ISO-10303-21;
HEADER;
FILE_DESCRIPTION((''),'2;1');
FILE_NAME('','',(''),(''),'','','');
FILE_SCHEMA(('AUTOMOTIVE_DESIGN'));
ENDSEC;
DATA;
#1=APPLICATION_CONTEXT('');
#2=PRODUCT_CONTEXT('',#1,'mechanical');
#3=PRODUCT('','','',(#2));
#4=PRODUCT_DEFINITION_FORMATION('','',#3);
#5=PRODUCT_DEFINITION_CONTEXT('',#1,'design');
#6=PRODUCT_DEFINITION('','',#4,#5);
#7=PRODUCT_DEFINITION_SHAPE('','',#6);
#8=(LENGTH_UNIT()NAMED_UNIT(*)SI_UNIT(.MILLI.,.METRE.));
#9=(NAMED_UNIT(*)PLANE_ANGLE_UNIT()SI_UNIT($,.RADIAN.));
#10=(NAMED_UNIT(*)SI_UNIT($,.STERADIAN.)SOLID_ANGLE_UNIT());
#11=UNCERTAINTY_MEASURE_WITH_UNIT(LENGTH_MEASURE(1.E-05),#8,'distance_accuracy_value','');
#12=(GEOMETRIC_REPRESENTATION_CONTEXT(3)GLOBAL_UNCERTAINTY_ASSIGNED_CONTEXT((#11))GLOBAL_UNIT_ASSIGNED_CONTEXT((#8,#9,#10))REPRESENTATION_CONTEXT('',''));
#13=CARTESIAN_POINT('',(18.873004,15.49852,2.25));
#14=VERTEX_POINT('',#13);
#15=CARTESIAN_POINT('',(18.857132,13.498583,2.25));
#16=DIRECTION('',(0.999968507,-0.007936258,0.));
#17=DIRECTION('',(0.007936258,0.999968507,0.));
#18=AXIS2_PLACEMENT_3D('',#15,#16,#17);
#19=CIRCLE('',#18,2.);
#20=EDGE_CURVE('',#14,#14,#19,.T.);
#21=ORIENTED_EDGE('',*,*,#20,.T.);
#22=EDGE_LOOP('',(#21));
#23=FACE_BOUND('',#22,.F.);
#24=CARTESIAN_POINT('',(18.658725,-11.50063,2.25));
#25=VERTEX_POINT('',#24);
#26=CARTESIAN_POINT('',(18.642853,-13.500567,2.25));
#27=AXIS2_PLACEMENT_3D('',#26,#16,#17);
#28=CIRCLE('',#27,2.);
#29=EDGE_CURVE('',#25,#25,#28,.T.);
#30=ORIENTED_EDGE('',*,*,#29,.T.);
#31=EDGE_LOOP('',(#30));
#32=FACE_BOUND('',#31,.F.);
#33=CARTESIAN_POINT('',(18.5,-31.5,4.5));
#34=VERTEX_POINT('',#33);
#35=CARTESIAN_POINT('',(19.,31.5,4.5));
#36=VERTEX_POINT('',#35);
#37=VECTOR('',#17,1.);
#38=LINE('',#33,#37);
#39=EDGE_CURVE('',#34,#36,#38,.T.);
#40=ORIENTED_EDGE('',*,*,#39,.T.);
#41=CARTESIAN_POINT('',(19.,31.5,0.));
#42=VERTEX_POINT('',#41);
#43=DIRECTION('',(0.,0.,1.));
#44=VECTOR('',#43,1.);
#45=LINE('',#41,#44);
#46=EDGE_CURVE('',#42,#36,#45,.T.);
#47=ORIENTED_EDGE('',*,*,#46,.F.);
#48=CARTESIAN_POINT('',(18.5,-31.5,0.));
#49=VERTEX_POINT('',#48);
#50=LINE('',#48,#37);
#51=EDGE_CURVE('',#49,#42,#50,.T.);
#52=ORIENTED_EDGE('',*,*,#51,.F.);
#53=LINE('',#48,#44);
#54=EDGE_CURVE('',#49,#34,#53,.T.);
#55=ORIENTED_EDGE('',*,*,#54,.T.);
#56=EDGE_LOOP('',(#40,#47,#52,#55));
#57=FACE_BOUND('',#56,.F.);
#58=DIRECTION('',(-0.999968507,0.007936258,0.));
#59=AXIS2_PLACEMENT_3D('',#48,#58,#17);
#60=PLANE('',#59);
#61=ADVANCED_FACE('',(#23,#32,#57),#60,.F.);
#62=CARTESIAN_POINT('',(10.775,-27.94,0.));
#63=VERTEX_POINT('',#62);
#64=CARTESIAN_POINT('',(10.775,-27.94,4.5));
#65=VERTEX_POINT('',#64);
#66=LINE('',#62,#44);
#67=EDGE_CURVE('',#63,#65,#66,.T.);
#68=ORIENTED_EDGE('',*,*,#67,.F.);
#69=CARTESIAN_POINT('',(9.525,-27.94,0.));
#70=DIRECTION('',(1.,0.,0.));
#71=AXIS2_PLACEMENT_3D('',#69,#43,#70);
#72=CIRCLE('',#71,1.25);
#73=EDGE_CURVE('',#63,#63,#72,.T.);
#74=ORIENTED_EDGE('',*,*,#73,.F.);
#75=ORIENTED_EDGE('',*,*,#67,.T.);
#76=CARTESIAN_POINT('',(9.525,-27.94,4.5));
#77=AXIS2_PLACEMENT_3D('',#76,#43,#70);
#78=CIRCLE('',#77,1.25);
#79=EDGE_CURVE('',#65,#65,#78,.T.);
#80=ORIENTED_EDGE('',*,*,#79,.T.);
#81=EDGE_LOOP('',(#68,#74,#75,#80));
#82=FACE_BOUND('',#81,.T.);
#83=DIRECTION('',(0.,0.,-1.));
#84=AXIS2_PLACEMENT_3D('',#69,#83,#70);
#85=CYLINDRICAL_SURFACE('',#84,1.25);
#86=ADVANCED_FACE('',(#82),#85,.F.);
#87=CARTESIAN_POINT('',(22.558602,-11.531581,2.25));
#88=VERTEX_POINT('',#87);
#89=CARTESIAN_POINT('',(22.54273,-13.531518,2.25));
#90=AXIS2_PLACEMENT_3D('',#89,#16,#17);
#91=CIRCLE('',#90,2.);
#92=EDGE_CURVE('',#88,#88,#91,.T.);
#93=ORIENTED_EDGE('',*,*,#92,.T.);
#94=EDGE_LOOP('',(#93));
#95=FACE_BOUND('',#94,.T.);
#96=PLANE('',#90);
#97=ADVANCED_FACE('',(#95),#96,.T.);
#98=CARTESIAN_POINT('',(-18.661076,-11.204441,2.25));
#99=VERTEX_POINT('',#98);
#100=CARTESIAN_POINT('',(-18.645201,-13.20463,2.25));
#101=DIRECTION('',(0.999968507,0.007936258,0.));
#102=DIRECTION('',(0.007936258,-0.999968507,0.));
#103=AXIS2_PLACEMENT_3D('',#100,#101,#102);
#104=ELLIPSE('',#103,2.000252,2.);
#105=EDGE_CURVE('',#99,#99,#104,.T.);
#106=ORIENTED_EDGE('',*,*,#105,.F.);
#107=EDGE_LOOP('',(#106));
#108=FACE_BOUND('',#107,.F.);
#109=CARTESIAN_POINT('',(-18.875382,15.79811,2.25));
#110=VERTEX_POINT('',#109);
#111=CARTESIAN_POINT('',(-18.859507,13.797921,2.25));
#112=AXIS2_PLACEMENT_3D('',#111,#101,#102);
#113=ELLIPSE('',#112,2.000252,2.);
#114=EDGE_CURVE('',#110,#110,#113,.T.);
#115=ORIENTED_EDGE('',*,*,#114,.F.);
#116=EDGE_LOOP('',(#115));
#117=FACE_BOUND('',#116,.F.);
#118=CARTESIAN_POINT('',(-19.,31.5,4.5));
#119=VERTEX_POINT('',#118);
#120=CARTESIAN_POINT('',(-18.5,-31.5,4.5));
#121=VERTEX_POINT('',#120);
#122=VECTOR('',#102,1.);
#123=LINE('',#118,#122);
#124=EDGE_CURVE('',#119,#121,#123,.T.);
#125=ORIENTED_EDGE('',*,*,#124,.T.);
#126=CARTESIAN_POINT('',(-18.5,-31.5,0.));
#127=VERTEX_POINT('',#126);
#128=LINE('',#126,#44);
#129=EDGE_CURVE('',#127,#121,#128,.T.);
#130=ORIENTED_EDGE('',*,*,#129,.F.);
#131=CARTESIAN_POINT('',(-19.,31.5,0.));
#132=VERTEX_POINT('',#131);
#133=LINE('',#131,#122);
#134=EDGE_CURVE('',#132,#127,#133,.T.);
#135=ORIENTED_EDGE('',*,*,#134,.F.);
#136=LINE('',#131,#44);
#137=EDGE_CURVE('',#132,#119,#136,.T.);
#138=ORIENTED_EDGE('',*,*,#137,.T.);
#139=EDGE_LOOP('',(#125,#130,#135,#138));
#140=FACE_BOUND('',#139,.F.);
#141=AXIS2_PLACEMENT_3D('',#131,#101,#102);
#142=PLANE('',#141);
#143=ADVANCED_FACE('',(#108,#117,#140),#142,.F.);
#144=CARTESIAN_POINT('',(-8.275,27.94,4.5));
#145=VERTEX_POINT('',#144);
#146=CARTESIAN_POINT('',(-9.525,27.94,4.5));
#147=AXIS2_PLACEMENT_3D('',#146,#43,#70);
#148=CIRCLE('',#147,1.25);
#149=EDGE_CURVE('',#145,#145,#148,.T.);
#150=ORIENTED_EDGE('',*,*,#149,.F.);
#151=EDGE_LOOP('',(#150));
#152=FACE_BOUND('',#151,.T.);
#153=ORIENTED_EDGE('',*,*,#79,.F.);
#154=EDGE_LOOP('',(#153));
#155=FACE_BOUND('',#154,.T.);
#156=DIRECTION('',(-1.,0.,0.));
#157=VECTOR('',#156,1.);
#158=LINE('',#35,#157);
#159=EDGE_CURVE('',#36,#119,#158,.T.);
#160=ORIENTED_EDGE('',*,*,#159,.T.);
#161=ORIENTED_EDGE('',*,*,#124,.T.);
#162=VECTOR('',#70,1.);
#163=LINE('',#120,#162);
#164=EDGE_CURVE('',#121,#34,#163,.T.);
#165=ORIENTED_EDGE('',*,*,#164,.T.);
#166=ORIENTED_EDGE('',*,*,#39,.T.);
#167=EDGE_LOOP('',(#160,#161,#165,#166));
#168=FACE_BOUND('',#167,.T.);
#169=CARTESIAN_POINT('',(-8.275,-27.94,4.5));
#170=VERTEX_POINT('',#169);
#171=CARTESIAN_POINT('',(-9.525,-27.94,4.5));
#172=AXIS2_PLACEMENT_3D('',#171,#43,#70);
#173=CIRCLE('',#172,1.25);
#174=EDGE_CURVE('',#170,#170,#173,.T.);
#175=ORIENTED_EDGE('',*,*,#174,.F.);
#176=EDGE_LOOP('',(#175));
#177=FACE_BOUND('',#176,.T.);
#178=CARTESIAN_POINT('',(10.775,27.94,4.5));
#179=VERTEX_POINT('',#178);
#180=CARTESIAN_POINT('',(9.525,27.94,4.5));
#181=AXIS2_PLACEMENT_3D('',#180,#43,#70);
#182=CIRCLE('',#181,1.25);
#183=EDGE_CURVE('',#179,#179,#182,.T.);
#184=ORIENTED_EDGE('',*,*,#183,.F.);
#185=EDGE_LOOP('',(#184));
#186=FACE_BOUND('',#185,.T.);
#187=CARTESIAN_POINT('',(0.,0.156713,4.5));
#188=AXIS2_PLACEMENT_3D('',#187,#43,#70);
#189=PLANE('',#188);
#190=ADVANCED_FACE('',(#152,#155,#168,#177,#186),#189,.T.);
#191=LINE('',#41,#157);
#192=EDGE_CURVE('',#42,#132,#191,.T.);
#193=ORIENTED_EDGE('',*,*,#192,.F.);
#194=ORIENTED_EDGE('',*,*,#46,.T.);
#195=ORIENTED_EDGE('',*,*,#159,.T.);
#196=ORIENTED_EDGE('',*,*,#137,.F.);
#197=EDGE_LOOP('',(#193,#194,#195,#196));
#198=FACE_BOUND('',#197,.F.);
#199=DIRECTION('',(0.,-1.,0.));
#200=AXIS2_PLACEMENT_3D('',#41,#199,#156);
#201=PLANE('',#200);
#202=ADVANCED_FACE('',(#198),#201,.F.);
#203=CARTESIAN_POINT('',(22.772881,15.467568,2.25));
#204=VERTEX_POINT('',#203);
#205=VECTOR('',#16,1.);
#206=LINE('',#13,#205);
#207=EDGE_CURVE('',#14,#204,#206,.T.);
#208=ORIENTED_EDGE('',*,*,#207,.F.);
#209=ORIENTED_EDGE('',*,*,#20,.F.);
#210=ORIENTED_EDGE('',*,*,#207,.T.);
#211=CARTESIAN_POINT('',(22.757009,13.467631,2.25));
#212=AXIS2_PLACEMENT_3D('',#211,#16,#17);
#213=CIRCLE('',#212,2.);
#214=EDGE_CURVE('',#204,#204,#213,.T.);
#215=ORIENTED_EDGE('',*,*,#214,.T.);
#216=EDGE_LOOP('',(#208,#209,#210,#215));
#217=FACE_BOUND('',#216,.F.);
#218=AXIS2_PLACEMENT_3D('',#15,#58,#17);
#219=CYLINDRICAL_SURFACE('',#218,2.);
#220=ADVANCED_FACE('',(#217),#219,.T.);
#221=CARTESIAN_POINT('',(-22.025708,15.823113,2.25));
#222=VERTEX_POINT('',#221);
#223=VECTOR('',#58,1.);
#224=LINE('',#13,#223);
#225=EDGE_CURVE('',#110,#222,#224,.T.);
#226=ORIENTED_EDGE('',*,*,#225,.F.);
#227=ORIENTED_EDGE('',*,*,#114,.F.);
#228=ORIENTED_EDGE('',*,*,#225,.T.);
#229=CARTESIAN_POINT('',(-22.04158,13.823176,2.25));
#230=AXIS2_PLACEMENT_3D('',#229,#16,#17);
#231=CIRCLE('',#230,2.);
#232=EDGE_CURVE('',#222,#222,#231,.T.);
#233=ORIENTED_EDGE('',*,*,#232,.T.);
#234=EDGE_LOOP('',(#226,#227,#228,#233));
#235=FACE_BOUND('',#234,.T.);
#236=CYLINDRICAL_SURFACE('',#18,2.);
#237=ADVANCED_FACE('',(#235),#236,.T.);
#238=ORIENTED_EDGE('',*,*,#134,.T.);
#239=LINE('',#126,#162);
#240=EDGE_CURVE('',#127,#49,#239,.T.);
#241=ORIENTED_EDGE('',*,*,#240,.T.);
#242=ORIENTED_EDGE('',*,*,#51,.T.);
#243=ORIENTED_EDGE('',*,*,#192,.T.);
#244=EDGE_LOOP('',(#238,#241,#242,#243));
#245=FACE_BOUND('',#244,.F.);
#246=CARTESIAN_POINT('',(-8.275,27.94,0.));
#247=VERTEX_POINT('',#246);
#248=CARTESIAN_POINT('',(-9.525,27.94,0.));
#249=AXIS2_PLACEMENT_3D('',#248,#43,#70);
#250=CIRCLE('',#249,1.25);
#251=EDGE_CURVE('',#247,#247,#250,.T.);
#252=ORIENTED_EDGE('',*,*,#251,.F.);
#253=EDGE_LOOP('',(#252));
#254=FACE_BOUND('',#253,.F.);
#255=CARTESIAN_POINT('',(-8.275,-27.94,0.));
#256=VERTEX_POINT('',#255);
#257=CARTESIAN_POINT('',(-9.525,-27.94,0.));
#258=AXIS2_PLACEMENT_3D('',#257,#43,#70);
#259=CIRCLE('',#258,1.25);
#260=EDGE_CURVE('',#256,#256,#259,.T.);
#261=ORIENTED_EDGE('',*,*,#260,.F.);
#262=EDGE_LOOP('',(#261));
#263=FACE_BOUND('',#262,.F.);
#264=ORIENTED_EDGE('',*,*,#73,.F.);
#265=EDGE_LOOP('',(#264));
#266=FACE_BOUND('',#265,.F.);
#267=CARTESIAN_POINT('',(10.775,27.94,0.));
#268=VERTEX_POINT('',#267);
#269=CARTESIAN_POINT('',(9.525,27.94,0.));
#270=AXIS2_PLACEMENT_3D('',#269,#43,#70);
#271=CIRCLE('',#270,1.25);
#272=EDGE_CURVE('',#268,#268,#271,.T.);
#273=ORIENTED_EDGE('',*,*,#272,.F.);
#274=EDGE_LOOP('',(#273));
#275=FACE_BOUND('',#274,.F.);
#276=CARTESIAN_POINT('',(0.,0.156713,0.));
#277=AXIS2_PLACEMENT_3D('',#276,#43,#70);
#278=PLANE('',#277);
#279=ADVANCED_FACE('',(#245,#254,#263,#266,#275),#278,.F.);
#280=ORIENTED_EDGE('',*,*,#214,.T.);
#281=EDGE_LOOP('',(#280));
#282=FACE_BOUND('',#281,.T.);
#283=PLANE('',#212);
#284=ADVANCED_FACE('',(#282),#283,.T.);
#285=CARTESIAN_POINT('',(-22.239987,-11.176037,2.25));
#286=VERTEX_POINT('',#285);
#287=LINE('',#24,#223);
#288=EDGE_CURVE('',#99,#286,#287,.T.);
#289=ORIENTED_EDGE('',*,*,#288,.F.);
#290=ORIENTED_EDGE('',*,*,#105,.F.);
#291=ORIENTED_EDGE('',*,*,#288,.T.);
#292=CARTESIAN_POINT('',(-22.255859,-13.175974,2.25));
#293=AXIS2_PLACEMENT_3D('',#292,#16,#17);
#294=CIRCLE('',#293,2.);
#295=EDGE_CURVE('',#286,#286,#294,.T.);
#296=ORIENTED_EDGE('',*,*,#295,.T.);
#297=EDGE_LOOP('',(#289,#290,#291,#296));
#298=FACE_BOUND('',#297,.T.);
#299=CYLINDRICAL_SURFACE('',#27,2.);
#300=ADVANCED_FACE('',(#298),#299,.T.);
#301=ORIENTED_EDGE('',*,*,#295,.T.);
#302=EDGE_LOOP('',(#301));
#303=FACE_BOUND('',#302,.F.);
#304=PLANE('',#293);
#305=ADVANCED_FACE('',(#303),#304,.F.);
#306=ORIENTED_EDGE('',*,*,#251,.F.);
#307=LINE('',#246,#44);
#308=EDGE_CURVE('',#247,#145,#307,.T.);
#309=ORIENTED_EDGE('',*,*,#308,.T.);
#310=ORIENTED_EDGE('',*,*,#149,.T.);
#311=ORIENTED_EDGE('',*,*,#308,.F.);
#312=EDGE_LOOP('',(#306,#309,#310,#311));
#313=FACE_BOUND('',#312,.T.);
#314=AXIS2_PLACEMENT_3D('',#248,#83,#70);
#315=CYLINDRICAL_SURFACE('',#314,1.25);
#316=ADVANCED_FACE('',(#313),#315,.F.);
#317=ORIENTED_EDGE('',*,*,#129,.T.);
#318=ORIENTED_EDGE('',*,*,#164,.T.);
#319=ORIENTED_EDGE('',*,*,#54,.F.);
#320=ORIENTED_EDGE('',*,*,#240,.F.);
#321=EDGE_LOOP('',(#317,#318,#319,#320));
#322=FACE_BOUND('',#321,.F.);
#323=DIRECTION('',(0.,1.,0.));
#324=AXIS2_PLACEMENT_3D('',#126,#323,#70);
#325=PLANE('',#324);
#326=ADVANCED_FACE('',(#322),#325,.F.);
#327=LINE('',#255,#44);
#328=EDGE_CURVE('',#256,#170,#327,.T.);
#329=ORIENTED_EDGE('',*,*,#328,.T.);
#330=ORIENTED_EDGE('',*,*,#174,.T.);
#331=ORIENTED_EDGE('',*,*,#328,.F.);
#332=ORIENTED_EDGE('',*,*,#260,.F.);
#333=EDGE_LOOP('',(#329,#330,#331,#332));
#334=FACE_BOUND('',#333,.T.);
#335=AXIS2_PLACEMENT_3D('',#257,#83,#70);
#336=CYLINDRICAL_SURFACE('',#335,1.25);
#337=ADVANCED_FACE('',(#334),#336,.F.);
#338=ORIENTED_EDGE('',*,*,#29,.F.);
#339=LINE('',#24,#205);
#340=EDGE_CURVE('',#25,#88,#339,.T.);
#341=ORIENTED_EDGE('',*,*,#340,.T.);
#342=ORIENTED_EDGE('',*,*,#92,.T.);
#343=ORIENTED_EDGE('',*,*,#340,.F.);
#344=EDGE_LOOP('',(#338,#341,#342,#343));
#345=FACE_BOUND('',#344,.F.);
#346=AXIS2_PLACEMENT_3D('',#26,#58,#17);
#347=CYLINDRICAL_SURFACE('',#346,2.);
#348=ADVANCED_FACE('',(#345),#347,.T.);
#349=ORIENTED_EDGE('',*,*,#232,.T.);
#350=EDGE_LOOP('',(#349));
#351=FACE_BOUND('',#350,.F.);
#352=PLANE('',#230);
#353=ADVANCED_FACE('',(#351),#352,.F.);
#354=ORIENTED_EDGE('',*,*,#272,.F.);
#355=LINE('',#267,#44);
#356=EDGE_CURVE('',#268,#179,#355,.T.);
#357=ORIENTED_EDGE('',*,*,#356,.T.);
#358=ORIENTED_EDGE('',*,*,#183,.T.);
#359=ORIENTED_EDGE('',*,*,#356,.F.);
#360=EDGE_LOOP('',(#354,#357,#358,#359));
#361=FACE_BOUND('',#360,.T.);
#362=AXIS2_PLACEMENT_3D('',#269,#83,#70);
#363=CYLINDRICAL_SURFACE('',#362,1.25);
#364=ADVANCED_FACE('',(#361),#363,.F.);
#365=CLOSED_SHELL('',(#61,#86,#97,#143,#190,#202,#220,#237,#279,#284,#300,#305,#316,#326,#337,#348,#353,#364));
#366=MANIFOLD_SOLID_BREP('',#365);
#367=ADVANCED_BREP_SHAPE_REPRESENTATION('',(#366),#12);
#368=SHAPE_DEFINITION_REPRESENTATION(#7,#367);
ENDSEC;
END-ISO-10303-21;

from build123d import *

# Parameters (mm, degrees)
F0_R          = 1.25
F1_DEPTH      = 4.5
F3_R          = 2
F4_DEPTH      = 3.9
F4_DEPTH_BACK = 40.9


with BuildPart() as f1:
    # F0 (on Top) → F1 (new body)
    with BuildSketch(Plane.XY):
        Polygon((19, 31.5), (-19, 31.5), (-18.5, -31.5), (18.5, -31.5), align=None)
        with Locations((-9.525, -27.94)):
            Circle(F0_R, mode=Mode.SUBTRACT)
        with Locations((9.525, -27.94)):
            Circle(F0_R, mode=Mode.SUBTRACT)
        with Locations((-9.525, 27.94)):
            Circle(F0_R, mode=Mode.SUBTRACT)
        with Locations((9.525, 27.94)):
            Circle(F0_R, mode=Mode.SUBTRACT)
    extrude(amount=F1_DEPTH)

    # F3 (on offset) → F4 (join, two sides)
    with BuildSketch(Plane(origin=(18.7488190464, -0.1488001512, 0), x_dir=(0.007936258, 0.9999685074, 0), z_dir=(0.9999685074, -0.007936258, 0))) as f4_sk:
        with Locations((13.6478127895, 2.25)):
            Circle(F3_R)
        with Locations((-13.3521872105, 2.25)):
            Circle(F3_R)
    extrude(amount=F4_DEPTH)
    extrude(f4_sk.sketch, amount=-F4_DEPTH_BACK)


solid = f1.part
